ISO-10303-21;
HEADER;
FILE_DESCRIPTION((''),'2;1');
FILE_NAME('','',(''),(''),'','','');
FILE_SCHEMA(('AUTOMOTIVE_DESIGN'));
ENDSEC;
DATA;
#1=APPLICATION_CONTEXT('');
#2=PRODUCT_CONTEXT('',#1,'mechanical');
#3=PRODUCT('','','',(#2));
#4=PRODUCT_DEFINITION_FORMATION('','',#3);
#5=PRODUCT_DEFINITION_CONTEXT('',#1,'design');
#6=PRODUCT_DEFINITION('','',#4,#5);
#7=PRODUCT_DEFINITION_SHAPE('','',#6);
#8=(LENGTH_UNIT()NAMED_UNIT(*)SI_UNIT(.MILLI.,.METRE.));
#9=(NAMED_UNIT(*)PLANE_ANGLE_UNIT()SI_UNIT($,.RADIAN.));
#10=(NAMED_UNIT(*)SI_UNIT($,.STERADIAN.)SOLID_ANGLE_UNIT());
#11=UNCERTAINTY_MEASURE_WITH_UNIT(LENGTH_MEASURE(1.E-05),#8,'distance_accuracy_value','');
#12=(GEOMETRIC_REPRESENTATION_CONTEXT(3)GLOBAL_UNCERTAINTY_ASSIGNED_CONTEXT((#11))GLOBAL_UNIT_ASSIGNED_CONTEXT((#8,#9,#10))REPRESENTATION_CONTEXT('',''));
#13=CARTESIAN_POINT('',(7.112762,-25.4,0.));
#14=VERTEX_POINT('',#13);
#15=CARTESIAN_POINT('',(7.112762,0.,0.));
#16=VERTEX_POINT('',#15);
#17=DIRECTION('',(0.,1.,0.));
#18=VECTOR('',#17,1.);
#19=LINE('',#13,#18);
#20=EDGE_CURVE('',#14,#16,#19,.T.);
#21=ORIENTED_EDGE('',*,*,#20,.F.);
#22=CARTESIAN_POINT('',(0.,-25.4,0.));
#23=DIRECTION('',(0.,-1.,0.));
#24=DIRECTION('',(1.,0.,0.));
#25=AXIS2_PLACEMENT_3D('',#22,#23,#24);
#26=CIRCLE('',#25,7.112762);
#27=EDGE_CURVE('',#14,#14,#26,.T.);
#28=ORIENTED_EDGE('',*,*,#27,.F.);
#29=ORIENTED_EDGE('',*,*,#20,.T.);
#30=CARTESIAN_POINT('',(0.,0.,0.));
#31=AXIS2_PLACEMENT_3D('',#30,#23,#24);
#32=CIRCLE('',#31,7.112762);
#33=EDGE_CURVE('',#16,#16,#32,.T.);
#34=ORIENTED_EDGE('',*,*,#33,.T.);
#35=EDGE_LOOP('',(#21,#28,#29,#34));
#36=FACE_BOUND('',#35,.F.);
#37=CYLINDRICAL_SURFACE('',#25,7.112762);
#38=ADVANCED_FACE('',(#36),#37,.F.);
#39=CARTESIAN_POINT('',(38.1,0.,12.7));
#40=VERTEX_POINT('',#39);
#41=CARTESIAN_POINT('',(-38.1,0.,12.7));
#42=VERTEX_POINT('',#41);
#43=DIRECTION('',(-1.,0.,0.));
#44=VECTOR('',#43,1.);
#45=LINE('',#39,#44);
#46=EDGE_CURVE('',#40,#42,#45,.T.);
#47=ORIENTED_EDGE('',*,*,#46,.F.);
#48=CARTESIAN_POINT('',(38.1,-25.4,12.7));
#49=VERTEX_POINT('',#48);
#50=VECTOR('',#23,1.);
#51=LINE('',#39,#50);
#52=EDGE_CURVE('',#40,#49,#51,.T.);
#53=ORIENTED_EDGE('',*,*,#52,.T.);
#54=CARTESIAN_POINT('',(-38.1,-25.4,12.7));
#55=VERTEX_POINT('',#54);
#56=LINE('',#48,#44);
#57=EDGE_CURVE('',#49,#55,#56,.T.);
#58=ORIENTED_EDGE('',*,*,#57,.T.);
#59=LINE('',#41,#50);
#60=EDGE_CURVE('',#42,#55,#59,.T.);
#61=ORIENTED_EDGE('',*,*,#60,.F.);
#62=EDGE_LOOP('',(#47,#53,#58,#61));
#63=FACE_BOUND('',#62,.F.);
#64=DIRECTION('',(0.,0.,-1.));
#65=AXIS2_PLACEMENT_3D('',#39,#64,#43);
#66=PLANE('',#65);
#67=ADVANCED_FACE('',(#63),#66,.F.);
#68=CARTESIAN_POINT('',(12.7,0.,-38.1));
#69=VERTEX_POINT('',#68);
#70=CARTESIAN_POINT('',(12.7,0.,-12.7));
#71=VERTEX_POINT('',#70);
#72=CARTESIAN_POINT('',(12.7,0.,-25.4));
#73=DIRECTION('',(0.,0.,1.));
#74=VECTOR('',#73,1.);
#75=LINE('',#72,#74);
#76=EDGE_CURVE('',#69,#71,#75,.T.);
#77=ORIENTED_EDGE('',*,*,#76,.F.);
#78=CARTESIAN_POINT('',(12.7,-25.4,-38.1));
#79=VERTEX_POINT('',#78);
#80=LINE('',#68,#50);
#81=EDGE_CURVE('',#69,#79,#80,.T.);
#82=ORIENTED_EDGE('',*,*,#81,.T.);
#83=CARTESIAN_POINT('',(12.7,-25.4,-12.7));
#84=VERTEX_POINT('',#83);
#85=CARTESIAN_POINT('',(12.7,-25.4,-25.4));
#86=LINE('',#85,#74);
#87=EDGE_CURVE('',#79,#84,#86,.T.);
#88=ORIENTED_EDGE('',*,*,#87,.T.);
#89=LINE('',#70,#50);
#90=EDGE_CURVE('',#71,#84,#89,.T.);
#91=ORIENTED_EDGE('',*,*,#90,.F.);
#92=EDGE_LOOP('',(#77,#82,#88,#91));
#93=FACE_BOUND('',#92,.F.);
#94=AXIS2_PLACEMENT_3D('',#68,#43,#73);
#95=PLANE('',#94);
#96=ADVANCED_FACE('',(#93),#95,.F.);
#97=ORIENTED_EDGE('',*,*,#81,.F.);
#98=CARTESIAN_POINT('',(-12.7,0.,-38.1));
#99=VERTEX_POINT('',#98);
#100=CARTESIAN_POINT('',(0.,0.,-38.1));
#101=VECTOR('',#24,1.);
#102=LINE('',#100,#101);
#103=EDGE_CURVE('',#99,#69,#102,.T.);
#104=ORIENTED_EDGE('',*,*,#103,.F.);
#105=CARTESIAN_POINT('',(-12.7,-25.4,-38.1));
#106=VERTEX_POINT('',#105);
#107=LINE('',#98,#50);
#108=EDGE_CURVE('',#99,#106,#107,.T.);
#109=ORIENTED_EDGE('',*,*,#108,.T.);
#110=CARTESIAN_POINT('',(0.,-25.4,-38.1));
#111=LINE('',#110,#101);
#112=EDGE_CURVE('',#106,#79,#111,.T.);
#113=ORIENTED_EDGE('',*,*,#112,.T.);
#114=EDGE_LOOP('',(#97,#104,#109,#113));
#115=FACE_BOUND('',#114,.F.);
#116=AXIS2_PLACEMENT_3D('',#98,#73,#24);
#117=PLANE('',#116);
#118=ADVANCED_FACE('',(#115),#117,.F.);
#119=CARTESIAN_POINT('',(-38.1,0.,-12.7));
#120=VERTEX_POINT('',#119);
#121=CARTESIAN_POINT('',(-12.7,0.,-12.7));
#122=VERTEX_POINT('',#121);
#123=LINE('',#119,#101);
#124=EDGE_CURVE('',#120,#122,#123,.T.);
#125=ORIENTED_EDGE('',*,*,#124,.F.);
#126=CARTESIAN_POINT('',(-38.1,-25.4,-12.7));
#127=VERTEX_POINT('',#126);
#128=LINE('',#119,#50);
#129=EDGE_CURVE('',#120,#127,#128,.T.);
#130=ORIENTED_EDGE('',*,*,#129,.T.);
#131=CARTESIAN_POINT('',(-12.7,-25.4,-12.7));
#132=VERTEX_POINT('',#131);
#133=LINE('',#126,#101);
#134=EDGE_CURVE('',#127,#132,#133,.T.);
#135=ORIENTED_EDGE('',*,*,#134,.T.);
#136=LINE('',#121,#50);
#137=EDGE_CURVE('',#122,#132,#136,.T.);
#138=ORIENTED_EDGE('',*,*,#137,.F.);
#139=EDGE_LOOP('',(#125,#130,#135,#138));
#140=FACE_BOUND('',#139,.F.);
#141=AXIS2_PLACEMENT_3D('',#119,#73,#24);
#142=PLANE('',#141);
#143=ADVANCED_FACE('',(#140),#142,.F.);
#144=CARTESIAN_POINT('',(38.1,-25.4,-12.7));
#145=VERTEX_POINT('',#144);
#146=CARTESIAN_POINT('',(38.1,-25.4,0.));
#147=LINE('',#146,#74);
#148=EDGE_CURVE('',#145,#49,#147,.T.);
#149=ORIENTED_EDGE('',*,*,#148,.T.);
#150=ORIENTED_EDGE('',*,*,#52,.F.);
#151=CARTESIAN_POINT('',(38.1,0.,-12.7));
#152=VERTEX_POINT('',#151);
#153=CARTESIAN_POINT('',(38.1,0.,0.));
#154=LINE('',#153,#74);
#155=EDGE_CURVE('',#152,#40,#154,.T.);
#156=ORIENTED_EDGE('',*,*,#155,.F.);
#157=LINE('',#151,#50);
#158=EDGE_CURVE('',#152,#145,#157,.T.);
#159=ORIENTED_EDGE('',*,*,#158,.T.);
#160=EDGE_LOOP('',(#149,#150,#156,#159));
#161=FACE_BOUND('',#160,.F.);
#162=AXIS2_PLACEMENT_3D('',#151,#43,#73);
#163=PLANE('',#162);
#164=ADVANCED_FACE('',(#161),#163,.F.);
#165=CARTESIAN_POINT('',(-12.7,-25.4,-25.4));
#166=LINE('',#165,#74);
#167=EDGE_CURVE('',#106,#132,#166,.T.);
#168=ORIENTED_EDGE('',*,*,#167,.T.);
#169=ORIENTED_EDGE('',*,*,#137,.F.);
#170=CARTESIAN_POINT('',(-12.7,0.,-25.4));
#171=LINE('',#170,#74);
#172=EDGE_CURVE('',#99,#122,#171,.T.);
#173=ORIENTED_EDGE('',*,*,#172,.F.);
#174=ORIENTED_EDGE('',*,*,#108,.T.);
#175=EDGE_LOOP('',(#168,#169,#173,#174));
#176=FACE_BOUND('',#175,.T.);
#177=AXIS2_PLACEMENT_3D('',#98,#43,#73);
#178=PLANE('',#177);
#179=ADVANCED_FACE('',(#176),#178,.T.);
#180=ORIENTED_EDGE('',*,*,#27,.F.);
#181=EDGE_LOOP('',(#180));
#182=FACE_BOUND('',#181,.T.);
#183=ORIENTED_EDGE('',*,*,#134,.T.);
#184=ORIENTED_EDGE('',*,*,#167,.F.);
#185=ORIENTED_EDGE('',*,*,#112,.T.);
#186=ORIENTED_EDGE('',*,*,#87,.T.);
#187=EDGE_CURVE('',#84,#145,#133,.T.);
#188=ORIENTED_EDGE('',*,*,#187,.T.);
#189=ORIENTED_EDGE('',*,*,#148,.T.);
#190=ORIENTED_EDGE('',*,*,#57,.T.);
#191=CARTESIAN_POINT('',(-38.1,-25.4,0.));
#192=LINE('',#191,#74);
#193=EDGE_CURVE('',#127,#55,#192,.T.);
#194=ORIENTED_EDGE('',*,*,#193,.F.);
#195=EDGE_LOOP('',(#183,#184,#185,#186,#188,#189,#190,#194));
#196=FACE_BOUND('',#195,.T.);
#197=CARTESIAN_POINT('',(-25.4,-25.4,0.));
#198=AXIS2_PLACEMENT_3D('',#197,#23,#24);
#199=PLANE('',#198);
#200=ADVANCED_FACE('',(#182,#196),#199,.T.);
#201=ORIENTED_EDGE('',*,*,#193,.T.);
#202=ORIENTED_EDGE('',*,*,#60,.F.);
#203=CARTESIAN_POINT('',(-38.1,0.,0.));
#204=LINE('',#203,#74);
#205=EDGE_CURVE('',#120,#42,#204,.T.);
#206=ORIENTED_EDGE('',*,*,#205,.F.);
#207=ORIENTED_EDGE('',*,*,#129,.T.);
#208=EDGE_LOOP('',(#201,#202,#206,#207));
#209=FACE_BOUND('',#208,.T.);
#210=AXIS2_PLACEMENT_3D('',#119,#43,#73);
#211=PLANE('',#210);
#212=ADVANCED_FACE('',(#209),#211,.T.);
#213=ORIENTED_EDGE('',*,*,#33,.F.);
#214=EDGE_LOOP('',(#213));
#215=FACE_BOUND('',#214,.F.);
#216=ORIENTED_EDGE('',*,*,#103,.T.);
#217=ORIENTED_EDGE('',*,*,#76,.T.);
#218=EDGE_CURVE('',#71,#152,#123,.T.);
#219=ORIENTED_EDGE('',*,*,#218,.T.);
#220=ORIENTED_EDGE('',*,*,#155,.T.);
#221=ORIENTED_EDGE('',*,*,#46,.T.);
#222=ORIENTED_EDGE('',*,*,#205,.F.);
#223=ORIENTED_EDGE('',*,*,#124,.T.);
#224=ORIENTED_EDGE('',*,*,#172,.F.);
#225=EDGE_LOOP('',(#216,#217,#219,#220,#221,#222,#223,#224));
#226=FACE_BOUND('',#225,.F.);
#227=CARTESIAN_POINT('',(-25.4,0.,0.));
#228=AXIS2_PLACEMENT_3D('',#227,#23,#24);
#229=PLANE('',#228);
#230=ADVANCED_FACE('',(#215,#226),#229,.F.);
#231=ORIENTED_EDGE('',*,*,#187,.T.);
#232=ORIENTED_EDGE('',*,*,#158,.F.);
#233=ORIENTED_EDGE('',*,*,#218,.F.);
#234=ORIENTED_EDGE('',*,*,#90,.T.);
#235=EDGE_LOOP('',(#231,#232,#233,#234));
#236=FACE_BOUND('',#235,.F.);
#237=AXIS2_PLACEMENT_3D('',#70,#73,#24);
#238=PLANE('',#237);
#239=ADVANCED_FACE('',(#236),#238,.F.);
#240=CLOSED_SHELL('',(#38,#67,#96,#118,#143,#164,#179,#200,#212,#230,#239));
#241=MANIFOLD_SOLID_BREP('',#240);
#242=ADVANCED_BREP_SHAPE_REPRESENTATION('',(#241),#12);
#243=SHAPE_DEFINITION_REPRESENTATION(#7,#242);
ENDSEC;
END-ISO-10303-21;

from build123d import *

# Parameters (mm, degrees)
F0_W     = 25.4
F0_H     = 25.4
F1_DEPTH = 25.4
F2_R     = 7.112762
F3_DEPTH = 25.4


with BuildPart() as f1:
    # F0 (on Front) → F1 (new body)
    with BuildSketch(Plane.XZ):
        with Locations((-25.4, 0)):
            Rectangle(F0_W, F0_H)
        Rectangle(F0_W, F0_H)
        with Locations((25.4, 0)):
            Rectangle(F0_W, F0_H)
        with Locations((0, -25.4)):
            Rectangle(F0_W, F0_H)
    extrude(amount=F1_DEPTH)

    # F2 (on face) → F3 (cut)
    with BuildSketch(Plane.XZ.offset(25.4)):
        Circle(F2_R)
    extrude(amount=-F3_DEPTH, mode=Mode.SUBTRACT)


solid = f1.part
